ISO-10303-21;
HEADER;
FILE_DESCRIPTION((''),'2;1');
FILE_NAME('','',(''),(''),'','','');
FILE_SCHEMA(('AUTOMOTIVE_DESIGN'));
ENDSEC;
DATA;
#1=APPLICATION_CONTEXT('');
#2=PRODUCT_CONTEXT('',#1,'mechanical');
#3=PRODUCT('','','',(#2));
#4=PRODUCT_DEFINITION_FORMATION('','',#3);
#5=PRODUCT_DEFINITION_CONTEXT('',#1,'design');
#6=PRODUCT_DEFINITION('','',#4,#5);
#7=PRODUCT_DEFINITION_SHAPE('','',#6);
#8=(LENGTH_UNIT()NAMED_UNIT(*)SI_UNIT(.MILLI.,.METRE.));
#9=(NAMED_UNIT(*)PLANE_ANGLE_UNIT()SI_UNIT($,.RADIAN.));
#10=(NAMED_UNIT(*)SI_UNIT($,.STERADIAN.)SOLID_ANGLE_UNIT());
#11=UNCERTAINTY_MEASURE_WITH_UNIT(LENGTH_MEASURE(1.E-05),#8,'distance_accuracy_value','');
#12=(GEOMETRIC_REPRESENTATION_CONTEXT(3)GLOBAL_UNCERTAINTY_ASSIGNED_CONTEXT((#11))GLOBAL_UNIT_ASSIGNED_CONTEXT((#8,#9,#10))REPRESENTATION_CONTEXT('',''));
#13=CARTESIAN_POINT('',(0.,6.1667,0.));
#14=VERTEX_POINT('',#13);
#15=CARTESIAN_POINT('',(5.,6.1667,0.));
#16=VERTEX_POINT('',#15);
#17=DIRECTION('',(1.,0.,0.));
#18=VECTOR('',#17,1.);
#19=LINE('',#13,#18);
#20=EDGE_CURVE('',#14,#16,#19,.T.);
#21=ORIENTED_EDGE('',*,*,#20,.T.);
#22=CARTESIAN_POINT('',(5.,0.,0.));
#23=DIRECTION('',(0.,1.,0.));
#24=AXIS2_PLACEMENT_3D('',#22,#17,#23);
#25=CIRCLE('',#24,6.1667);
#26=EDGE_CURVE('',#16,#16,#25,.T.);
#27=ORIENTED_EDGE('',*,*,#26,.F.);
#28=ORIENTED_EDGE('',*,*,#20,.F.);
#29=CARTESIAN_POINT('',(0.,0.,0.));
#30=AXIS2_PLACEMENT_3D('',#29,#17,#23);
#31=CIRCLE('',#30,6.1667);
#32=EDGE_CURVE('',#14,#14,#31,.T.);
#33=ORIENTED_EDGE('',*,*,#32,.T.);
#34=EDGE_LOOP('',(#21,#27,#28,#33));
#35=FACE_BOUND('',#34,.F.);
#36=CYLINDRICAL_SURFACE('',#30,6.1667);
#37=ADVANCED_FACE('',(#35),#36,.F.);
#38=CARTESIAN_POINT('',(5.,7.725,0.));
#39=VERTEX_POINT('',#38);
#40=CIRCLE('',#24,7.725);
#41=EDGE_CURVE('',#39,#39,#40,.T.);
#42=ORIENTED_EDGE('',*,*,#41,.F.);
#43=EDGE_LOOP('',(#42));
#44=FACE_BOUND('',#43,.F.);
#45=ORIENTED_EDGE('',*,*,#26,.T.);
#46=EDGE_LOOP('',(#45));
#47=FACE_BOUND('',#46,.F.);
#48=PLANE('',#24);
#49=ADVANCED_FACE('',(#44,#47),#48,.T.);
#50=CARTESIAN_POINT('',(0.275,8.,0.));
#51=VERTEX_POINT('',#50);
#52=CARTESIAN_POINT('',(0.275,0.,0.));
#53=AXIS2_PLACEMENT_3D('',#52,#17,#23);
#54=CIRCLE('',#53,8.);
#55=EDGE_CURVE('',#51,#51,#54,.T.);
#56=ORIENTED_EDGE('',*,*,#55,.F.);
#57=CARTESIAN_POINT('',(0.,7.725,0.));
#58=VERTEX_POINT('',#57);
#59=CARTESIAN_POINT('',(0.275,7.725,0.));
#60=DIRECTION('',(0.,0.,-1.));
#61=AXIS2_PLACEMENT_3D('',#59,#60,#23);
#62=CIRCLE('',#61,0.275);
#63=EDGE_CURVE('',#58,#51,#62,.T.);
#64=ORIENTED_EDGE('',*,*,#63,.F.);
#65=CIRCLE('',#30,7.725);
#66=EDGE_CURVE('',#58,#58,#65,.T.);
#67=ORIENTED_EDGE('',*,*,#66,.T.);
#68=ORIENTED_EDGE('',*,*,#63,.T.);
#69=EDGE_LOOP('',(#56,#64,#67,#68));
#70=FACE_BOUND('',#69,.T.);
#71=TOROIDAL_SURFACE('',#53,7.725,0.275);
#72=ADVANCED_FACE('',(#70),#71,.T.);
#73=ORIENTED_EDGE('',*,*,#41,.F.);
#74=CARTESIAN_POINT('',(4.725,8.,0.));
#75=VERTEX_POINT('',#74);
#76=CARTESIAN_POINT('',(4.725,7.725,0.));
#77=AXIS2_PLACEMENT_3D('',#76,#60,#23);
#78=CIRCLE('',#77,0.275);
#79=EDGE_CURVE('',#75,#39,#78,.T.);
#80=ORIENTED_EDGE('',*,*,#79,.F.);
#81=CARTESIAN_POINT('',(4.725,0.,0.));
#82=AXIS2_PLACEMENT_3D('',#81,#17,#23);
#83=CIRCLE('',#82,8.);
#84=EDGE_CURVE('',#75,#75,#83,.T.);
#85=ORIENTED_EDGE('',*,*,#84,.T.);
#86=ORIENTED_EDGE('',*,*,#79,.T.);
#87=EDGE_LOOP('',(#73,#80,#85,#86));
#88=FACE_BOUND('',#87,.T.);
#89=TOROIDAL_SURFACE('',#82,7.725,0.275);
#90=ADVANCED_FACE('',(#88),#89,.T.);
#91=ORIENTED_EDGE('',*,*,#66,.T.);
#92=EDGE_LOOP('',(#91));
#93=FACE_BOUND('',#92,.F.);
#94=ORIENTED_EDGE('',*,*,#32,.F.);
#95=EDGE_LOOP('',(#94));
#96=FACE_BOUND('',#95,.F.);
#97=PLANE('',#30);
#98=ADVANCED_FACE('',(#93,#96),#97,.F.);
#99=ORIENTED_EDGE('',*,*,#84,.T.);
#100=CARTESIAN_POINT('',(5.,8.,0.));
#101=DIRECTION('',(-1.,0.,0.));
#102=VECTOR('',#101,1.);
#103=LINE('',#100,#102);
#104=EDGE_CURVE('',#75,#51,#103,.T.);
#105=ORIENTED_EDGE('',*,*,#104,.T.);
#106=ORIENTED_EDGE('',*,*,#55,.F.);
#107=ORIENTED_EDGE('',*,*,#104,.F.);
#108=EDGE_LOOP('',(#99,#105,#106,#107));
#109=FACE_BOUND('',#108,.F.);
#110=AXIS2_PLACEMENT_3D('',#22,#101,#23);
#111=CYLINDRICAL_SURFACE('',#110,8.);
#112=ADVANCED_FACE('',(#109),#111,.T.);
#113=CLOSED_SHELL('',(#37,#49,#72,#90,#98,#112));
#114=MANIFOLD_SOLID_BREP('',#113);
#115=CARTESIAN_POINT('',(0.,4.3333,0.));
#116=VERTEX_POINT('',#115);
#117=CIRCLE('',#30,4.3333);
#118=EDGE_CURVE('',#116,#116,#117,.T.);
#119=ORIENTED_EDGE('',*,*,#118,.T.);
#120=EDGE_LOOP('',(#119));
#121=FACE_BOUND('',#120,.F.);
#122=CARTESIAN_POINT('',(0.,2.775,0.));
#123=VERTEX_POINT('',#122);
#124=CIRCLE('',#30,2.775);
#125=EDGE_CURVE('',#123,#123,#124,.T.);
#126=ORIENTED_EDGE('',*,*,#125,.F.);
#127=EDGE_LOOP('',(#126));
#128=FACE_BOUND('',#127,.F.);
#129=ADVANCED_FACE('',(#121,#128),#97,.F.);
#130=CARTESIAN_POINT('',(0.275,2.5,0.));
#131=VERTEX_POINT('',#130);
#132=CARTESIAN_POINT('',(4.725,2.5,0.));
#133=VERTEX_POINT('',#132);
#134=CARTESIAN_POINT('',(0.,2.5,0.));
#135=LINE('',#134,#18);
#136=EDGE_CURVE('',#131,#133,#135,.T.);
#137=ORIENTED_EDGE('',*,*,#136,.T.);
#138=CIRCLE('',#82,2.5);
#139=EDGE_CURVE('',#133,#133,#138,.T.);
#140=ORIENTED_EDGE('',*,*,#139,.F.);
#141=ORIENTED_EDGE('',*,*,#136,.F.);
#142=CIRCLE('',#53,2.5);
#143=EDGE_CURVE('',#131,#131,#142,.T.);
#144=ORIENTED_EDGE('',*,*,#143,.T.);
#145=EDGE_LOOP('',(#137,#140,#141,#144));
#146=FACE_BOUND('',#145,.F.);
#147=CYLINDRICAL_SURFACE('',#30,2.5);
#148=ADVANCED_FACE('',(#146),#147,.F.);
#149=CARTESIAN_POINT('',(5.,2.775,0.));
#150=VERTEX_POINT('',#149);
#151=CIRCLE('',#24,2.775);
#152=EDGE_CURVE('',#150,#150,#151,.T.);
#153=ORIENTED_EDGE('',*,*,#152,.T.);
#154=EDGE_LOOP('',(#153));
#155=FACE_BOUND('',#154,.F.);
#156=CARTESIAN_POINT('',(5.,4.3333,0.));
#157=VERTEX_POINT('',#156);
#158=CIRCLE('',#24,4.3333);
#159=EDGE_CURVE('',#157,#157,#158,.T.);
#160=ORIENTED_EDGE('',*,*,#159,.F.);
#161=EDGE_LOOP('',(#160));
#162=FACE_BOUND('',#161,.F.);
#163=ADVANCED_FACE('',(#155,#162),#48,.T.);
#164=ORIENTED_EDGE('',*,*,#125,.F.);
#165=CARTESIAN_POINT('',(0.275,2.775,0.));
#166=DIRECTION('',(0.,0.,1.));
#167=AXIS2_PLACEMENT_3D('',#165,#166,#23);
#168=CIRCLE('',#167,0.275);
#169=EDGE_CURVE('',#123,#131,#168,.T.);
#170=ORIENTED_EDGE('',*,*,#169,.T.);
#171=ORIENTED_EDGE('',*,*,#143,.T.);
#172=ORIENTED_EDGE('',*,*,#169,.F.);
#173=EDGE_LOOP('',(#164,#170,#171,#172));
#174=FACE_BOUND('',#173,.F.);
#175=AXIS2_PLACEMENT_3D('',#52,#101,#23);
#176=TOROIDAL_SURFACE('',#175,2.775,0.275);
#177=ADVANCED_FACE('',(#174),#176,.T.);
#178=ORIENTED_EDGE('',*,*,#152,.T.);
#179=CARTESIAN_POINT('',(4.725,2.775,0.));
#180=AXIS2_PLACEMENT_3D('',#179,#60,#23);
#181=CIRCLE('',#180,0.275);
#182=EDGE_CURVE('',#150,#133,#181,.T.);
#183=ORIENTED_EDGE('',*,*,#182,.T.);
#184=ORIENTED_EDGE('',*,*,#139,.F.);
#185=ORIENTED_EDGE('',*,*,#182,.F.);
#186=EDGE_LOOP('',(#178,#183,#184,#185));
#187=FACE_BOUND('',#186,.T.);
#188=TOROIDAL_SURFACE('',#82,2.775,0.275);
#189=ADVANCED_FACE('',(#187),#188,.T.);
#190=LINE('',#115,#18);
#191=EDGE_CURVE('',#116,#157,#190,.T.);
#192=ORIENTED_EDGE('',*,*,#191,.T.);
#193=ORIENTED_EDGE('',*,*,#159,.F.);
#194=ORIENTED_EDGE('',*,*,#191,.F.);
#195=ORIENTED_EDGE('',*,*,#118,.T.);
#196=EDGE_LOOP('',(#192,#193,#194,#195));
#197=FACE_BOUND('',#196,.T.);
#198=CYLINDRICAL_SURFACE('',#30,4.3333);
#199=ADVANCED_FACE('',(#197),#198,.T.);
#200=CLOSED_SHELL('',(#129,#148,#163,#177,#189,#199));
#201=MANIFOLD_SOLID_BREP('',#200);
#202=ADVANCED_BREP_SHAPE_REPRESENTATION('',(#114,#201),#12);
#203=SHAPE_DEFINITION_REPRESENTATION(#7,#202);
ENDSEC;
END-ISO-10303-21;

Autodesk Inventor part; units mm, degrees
ref_plane "YZ Plane" through (0, 0, 0) normal (1, 0, 0) x (0, 1, 0)
ref_plane "XZ Plane" through (0, 0, 0) normal (0, 1, 0) x (-1, 0, 0)
ref_plane "XY Plane" through (0, 0, 0) normal (0, 0, 1) x (1, 0, 0)
sketch "Sketch" plane through (0, 0, 0) normal (0, 0, 1) x (1, 0, 0)
  line L0 (0, 0) -> (5, 0)
  line L1 (0, 0) -> (0, 2.5) construction
  line L2 (0, 2.5) -> (5, 2.5)
  line L3 (5, 2.5) -> (5, 8)
  line L4 (5, 8) -> (0, 8)
  line L5 (0, 8) -> (0, 2.5)
  line L6 (0, 5.25) -> (5, 5.25)
  line L7 (0, 6.1667) -> (5, 6.1667)
  line L8 (0, 4.3333) -> (5, 4.3333)
  dimension "d0" = 5
  dimension "d1" = 5
  dimension "d2" = 8.6667
  dimension "d3" = 16
revolve "Body" add sketch "Sketch" angle 360 about axis through (0, 0, 0) along (1, 0, 0) contours L5 L8 L3 L2 | L5 L4 L3 L7
fillet "Fillet1" radius 0.275 4 edges at (0, -8, 0) (5, -8, 0) (0, -2.5, 0) (5, -2.5, 0)
equation "\"d0\" = KB"
equation "\"d1\" = WD"
equation "\"d2\" = 0.333333 * BD + 0.666667 * WD"
equation "\"d3\" = BD"
equation "\"d5\" = -0.025 * WD + 0.025 * BD"
equation "\"WD\" = 5"
equation "\"BD\" = 16"
equation "\"KB\" = 5"
equation "\"BBA\" = 0"
equation "\"KRS\" = 0.3"
equation "\"KR1S\" = 0.15"
equation "\"BR\" = 0.5 * BD"
equation "\"WR\" = 0.5 * WD"
properties part number "BS 3469 - 02 - 5 x 16 x 5" material "Steel, Mild"
